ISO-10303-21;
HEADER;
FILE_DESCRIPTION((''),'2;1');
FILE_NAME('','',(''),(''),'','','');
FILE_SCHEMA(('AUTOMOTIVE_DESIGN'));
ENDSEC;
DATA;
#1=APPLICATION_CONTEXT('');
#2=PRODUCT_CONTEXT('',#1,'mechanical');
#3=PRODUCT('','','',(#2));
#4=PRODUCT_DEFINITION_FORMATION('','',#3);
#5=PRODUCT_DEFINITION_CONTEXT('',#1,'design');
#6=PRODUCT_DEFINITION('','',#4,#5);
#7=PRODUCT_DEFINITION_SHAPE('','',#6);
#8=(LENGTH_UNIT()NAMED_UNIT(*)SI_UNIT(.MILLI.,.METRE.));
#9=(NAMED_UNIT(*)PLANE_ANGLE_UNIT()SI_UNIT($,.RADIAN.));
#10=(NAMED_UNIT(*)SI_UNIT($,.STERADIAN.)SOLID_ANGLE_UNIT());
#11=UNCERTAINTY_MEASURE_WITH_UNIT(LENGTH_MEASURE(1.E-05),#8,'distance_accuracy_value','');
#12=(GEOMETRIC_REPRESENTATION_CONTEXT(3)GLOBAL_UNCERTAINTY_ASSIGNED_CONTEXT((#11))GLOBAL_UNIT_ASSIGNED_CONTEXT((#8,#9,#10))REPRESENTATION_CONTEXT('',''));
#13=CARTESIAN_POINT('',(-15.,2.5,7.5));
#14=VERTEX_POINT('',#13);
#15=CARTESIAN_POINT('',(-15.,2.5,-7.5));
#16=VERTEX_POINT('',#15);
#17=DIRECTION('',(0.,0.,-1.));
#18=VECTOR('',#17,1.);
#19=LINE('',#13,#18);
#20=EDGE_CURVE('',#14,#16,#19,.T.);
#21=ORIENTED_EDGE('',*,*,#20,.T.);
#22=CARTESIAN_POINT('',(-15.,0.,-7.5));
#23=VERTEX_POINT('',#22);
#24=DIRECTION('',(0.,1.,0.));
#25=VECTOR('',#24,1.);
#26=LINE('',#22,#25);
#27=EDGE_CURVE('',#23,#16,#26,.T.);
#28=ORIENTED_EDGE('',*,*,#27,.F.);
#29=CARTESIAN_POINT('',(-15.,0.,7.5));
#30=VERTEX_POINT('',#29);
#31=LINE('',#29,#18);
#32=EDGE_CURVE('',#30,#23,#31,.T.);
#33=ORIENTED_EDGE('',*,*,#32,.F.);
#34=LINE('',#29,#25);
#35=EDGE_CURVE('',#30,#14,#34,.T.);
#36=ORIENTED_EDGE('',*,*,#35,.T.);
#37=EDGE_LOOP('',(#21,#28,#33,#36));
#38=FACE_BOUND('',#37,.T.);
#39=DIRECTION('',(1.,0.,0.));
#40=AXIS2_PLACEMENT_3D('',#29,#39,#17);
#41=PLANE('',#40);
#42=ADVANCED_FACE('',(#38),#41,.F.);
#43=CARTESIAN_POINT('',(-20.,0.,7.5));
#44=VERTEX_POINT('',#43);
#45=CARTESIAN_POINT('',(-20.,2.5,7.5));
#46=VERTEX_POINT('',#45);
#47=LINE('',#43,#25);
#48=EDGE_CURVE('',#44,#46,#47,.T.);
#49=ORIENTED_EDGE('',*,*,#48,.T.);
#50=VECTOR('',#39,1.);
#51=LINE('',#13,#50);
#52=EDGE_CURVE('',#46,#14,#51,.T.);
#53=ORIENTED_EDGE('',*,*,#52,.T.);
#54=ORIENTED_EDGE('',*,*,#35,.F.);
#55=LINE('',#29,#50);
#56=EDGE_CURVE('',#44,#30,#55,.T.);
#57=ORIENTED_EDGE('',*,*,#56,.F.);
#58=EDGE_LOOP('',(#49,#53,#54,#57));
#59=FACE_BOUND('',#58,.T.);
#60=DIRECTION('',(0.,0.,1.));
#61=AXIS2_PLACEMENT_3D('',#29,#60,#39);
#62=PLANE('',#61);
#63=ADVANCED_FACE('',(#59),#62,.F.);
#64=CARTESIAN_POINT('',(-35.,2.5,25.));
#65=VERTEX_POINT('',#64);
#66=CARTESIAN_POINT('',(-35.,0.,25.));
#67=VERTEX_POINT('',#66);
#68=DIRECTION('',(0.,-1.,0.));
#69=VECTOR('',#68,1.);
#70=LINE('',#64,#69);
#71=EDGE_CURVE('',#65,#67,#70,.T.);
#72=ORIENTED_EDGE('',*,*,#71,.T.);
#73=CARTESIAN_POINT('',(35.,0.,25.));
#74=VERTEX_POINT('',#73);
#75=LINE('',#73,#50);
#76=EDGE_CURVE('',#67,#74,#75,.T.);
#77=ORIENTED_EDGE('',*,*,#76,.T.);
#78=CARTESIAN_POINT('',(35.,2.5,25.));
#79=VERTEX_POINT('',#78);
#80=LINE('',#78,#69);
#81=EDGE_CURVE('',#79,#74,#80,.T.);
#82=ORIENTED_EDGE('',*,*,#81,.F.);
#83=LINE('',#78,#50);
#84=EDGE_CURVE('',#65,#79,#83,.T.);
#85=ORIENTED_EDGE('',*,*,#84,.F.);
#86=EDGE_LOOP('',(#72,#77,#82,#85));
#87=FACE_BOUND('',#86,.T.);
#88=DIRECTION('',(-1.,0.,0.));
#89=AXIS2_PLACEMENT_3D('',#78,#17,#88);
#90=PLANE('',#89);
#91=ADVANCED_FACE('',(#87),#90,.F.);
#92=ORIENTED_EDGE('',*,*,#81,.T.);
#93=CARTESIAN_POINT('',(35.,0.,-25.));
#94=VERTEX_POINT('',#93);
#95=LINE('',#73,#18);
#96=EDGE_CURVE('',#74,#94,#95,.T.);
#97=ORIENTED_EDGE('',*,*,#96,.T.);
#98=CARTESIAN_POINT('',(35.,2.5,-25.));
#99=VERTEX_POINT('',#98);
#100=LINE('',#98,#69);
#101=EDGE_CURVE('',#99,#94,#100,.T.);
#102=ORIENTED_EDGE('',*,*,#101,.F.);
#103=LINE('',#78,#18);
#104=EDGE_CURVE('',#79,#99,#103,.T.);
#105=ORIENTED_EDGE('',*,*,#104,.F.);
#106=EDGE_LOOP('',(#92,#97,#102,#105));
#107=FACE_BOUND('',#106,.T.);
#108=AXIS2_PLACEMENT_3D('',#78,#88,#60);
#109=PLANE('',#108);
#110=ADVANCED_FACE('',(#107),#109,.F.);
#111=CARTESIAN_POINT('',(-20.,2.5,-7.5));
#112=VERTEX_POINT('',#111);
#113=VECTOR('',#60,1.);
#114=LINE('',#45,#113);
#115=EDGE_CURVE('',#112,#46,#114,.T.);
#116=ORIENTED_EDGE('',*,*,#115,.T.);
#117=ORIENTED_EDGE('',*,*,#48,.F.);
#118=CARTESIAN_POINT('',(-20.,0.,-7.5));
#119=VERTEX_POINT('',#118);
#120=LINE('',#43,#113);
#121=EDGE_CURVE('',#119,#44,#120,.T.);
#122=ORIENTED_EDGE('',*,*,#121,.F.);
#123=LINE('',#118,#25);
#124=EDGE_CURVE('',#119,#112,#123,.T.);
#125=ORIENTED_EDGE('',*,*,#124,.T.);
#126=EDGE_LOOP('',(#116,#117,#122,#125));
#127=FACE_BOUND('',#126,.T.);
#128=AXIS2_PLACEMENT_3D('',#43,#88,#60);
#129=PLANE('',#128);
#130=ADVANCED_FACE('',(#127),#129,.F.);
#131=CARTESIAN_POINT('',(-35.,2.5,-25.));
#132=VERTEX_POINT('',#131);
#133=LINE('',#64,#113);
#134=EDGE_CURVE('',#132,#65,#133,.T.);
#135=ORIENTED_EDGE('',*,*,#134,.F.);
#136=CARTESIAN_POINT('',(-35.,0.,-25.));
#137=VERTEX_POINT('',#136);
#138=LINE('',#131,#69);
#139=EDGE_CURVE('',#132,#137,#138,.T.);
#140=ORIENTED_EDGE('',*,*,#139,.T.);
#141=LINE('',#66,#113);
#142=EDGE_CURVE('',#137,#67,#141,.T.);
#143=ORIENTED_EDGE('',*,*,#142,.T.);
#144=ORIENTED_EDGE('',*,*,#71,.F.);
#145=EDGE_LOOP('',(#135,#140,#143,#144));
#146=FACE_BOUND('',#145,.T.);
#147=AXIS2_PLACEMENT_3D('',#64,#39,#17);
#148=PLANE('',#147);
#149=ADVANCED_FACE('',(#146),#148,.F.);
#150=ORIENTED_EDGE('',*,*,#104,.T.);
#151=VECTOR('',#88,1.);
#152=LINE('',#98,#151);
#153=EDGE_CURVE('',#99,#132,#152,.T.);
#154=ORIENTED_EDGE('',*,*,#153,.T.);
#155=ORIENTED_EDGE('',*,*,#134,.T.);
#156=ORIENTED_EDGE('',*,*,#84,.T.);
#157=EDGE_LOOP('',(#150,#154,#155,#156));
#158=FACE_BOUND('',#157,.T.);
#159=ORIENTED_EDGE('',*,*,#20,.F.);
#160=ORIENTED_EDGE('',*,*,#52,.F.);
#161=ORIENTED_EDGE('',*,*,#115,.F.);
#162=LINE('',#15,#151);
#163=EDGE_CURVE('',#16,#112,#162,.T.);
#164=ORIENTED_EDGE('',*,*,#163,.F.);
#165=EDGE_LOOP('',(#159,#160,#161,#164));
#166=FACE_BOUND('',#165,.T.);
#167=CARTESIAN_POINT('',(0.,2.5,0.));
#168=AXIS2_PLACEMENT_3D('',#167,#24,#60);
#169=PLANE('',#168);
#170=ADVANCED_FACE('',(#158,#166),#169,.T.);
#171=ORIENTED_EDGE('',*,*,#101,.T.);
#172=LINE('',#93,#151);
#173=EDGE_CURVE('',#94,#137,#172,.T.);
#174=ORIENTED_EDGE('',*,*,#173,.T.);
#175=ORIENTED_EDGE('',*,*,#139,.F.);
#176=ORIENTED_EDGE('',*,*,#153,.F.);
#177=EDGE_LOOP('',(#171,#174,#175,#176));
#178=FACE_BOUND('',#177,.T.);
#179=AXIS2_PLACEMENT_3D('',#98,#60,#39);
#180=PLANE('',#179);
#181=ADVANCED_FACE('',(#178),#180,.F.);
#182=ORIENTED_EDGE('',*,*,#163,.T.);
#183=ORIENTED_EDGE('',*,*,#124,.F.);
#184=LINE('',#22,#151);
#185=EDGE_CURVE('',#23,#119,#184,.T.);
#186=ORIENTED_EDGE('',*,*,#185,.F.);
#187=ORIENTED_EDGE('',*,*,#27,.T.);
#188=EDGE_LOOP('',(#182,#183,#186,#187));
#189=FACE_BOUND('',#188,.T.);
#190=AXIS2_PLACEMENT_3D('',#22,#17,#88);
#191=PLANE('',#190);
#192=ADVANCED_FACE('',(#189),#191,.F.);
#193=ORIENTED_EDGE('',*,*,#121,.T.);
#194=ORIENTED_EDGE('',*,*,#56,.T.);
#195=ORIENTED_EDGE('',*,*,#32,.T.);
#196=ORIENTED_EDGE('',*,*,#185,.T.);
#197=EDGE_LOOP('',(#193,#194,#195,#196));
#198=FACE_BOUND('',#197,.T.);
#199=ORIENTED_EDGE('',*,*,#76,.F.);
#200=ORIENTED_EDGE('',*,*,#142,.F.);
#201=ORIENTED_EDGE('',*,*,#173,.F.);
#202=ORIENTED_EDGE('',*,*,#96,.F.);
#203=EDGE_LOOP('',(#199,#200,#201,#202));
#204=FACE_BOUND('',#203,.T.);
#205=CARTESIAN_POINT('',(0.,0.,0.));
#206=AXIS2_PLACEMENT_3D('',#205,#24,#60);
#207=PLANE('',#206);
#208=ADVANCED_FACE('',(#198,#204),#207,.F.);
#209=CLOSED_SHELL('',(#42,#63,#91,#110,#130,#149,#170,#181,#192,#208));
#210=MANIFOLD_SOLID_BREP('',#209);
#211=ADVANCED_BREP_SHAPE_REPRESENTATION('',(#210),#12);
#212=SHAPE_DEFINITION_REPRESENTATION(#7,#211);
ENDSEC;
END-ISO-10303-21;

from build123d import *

# Parameters (mm, degrees)
SKETCH1_W           = 70
SKETCH1_H           = 50
BOSS_EXTRUDE1_DEPTH = 2.5
SKETCH2_W           = 5
SKETCH2_H           = 15
CUT_EXTRUDE1_DEPTH  = 2.5


with BuildPart() as part:
    # Sketch1 → Boss-Extrude1 (new body)
    with BuildSketch(Plane(origin=(0, 0, 0), x_dir=(1, 0, 0), z_dir=(0, 1, 0))):
        Rectangle(SKETCH1_W, SKETCH1_H)
    extrude(amount=BOSS_EXTRUDE1_DEPTH)

    # Sketch2 → Cut-Extrude1 (cut)
    with BuildSketch(Plane(origin=(0, 2.5, 0), x_dir=(1, 0, 0), z_dir=(0, 1, 0))):
        with Locations((-17.5, 0)):
            Rectangle(SKETCH2_W, SKETCH2_H)
    extrude(amount=-CUT_EXTRUDE1_DEPTH, mode=Mode.SUBTRACT)


solid = part.part
